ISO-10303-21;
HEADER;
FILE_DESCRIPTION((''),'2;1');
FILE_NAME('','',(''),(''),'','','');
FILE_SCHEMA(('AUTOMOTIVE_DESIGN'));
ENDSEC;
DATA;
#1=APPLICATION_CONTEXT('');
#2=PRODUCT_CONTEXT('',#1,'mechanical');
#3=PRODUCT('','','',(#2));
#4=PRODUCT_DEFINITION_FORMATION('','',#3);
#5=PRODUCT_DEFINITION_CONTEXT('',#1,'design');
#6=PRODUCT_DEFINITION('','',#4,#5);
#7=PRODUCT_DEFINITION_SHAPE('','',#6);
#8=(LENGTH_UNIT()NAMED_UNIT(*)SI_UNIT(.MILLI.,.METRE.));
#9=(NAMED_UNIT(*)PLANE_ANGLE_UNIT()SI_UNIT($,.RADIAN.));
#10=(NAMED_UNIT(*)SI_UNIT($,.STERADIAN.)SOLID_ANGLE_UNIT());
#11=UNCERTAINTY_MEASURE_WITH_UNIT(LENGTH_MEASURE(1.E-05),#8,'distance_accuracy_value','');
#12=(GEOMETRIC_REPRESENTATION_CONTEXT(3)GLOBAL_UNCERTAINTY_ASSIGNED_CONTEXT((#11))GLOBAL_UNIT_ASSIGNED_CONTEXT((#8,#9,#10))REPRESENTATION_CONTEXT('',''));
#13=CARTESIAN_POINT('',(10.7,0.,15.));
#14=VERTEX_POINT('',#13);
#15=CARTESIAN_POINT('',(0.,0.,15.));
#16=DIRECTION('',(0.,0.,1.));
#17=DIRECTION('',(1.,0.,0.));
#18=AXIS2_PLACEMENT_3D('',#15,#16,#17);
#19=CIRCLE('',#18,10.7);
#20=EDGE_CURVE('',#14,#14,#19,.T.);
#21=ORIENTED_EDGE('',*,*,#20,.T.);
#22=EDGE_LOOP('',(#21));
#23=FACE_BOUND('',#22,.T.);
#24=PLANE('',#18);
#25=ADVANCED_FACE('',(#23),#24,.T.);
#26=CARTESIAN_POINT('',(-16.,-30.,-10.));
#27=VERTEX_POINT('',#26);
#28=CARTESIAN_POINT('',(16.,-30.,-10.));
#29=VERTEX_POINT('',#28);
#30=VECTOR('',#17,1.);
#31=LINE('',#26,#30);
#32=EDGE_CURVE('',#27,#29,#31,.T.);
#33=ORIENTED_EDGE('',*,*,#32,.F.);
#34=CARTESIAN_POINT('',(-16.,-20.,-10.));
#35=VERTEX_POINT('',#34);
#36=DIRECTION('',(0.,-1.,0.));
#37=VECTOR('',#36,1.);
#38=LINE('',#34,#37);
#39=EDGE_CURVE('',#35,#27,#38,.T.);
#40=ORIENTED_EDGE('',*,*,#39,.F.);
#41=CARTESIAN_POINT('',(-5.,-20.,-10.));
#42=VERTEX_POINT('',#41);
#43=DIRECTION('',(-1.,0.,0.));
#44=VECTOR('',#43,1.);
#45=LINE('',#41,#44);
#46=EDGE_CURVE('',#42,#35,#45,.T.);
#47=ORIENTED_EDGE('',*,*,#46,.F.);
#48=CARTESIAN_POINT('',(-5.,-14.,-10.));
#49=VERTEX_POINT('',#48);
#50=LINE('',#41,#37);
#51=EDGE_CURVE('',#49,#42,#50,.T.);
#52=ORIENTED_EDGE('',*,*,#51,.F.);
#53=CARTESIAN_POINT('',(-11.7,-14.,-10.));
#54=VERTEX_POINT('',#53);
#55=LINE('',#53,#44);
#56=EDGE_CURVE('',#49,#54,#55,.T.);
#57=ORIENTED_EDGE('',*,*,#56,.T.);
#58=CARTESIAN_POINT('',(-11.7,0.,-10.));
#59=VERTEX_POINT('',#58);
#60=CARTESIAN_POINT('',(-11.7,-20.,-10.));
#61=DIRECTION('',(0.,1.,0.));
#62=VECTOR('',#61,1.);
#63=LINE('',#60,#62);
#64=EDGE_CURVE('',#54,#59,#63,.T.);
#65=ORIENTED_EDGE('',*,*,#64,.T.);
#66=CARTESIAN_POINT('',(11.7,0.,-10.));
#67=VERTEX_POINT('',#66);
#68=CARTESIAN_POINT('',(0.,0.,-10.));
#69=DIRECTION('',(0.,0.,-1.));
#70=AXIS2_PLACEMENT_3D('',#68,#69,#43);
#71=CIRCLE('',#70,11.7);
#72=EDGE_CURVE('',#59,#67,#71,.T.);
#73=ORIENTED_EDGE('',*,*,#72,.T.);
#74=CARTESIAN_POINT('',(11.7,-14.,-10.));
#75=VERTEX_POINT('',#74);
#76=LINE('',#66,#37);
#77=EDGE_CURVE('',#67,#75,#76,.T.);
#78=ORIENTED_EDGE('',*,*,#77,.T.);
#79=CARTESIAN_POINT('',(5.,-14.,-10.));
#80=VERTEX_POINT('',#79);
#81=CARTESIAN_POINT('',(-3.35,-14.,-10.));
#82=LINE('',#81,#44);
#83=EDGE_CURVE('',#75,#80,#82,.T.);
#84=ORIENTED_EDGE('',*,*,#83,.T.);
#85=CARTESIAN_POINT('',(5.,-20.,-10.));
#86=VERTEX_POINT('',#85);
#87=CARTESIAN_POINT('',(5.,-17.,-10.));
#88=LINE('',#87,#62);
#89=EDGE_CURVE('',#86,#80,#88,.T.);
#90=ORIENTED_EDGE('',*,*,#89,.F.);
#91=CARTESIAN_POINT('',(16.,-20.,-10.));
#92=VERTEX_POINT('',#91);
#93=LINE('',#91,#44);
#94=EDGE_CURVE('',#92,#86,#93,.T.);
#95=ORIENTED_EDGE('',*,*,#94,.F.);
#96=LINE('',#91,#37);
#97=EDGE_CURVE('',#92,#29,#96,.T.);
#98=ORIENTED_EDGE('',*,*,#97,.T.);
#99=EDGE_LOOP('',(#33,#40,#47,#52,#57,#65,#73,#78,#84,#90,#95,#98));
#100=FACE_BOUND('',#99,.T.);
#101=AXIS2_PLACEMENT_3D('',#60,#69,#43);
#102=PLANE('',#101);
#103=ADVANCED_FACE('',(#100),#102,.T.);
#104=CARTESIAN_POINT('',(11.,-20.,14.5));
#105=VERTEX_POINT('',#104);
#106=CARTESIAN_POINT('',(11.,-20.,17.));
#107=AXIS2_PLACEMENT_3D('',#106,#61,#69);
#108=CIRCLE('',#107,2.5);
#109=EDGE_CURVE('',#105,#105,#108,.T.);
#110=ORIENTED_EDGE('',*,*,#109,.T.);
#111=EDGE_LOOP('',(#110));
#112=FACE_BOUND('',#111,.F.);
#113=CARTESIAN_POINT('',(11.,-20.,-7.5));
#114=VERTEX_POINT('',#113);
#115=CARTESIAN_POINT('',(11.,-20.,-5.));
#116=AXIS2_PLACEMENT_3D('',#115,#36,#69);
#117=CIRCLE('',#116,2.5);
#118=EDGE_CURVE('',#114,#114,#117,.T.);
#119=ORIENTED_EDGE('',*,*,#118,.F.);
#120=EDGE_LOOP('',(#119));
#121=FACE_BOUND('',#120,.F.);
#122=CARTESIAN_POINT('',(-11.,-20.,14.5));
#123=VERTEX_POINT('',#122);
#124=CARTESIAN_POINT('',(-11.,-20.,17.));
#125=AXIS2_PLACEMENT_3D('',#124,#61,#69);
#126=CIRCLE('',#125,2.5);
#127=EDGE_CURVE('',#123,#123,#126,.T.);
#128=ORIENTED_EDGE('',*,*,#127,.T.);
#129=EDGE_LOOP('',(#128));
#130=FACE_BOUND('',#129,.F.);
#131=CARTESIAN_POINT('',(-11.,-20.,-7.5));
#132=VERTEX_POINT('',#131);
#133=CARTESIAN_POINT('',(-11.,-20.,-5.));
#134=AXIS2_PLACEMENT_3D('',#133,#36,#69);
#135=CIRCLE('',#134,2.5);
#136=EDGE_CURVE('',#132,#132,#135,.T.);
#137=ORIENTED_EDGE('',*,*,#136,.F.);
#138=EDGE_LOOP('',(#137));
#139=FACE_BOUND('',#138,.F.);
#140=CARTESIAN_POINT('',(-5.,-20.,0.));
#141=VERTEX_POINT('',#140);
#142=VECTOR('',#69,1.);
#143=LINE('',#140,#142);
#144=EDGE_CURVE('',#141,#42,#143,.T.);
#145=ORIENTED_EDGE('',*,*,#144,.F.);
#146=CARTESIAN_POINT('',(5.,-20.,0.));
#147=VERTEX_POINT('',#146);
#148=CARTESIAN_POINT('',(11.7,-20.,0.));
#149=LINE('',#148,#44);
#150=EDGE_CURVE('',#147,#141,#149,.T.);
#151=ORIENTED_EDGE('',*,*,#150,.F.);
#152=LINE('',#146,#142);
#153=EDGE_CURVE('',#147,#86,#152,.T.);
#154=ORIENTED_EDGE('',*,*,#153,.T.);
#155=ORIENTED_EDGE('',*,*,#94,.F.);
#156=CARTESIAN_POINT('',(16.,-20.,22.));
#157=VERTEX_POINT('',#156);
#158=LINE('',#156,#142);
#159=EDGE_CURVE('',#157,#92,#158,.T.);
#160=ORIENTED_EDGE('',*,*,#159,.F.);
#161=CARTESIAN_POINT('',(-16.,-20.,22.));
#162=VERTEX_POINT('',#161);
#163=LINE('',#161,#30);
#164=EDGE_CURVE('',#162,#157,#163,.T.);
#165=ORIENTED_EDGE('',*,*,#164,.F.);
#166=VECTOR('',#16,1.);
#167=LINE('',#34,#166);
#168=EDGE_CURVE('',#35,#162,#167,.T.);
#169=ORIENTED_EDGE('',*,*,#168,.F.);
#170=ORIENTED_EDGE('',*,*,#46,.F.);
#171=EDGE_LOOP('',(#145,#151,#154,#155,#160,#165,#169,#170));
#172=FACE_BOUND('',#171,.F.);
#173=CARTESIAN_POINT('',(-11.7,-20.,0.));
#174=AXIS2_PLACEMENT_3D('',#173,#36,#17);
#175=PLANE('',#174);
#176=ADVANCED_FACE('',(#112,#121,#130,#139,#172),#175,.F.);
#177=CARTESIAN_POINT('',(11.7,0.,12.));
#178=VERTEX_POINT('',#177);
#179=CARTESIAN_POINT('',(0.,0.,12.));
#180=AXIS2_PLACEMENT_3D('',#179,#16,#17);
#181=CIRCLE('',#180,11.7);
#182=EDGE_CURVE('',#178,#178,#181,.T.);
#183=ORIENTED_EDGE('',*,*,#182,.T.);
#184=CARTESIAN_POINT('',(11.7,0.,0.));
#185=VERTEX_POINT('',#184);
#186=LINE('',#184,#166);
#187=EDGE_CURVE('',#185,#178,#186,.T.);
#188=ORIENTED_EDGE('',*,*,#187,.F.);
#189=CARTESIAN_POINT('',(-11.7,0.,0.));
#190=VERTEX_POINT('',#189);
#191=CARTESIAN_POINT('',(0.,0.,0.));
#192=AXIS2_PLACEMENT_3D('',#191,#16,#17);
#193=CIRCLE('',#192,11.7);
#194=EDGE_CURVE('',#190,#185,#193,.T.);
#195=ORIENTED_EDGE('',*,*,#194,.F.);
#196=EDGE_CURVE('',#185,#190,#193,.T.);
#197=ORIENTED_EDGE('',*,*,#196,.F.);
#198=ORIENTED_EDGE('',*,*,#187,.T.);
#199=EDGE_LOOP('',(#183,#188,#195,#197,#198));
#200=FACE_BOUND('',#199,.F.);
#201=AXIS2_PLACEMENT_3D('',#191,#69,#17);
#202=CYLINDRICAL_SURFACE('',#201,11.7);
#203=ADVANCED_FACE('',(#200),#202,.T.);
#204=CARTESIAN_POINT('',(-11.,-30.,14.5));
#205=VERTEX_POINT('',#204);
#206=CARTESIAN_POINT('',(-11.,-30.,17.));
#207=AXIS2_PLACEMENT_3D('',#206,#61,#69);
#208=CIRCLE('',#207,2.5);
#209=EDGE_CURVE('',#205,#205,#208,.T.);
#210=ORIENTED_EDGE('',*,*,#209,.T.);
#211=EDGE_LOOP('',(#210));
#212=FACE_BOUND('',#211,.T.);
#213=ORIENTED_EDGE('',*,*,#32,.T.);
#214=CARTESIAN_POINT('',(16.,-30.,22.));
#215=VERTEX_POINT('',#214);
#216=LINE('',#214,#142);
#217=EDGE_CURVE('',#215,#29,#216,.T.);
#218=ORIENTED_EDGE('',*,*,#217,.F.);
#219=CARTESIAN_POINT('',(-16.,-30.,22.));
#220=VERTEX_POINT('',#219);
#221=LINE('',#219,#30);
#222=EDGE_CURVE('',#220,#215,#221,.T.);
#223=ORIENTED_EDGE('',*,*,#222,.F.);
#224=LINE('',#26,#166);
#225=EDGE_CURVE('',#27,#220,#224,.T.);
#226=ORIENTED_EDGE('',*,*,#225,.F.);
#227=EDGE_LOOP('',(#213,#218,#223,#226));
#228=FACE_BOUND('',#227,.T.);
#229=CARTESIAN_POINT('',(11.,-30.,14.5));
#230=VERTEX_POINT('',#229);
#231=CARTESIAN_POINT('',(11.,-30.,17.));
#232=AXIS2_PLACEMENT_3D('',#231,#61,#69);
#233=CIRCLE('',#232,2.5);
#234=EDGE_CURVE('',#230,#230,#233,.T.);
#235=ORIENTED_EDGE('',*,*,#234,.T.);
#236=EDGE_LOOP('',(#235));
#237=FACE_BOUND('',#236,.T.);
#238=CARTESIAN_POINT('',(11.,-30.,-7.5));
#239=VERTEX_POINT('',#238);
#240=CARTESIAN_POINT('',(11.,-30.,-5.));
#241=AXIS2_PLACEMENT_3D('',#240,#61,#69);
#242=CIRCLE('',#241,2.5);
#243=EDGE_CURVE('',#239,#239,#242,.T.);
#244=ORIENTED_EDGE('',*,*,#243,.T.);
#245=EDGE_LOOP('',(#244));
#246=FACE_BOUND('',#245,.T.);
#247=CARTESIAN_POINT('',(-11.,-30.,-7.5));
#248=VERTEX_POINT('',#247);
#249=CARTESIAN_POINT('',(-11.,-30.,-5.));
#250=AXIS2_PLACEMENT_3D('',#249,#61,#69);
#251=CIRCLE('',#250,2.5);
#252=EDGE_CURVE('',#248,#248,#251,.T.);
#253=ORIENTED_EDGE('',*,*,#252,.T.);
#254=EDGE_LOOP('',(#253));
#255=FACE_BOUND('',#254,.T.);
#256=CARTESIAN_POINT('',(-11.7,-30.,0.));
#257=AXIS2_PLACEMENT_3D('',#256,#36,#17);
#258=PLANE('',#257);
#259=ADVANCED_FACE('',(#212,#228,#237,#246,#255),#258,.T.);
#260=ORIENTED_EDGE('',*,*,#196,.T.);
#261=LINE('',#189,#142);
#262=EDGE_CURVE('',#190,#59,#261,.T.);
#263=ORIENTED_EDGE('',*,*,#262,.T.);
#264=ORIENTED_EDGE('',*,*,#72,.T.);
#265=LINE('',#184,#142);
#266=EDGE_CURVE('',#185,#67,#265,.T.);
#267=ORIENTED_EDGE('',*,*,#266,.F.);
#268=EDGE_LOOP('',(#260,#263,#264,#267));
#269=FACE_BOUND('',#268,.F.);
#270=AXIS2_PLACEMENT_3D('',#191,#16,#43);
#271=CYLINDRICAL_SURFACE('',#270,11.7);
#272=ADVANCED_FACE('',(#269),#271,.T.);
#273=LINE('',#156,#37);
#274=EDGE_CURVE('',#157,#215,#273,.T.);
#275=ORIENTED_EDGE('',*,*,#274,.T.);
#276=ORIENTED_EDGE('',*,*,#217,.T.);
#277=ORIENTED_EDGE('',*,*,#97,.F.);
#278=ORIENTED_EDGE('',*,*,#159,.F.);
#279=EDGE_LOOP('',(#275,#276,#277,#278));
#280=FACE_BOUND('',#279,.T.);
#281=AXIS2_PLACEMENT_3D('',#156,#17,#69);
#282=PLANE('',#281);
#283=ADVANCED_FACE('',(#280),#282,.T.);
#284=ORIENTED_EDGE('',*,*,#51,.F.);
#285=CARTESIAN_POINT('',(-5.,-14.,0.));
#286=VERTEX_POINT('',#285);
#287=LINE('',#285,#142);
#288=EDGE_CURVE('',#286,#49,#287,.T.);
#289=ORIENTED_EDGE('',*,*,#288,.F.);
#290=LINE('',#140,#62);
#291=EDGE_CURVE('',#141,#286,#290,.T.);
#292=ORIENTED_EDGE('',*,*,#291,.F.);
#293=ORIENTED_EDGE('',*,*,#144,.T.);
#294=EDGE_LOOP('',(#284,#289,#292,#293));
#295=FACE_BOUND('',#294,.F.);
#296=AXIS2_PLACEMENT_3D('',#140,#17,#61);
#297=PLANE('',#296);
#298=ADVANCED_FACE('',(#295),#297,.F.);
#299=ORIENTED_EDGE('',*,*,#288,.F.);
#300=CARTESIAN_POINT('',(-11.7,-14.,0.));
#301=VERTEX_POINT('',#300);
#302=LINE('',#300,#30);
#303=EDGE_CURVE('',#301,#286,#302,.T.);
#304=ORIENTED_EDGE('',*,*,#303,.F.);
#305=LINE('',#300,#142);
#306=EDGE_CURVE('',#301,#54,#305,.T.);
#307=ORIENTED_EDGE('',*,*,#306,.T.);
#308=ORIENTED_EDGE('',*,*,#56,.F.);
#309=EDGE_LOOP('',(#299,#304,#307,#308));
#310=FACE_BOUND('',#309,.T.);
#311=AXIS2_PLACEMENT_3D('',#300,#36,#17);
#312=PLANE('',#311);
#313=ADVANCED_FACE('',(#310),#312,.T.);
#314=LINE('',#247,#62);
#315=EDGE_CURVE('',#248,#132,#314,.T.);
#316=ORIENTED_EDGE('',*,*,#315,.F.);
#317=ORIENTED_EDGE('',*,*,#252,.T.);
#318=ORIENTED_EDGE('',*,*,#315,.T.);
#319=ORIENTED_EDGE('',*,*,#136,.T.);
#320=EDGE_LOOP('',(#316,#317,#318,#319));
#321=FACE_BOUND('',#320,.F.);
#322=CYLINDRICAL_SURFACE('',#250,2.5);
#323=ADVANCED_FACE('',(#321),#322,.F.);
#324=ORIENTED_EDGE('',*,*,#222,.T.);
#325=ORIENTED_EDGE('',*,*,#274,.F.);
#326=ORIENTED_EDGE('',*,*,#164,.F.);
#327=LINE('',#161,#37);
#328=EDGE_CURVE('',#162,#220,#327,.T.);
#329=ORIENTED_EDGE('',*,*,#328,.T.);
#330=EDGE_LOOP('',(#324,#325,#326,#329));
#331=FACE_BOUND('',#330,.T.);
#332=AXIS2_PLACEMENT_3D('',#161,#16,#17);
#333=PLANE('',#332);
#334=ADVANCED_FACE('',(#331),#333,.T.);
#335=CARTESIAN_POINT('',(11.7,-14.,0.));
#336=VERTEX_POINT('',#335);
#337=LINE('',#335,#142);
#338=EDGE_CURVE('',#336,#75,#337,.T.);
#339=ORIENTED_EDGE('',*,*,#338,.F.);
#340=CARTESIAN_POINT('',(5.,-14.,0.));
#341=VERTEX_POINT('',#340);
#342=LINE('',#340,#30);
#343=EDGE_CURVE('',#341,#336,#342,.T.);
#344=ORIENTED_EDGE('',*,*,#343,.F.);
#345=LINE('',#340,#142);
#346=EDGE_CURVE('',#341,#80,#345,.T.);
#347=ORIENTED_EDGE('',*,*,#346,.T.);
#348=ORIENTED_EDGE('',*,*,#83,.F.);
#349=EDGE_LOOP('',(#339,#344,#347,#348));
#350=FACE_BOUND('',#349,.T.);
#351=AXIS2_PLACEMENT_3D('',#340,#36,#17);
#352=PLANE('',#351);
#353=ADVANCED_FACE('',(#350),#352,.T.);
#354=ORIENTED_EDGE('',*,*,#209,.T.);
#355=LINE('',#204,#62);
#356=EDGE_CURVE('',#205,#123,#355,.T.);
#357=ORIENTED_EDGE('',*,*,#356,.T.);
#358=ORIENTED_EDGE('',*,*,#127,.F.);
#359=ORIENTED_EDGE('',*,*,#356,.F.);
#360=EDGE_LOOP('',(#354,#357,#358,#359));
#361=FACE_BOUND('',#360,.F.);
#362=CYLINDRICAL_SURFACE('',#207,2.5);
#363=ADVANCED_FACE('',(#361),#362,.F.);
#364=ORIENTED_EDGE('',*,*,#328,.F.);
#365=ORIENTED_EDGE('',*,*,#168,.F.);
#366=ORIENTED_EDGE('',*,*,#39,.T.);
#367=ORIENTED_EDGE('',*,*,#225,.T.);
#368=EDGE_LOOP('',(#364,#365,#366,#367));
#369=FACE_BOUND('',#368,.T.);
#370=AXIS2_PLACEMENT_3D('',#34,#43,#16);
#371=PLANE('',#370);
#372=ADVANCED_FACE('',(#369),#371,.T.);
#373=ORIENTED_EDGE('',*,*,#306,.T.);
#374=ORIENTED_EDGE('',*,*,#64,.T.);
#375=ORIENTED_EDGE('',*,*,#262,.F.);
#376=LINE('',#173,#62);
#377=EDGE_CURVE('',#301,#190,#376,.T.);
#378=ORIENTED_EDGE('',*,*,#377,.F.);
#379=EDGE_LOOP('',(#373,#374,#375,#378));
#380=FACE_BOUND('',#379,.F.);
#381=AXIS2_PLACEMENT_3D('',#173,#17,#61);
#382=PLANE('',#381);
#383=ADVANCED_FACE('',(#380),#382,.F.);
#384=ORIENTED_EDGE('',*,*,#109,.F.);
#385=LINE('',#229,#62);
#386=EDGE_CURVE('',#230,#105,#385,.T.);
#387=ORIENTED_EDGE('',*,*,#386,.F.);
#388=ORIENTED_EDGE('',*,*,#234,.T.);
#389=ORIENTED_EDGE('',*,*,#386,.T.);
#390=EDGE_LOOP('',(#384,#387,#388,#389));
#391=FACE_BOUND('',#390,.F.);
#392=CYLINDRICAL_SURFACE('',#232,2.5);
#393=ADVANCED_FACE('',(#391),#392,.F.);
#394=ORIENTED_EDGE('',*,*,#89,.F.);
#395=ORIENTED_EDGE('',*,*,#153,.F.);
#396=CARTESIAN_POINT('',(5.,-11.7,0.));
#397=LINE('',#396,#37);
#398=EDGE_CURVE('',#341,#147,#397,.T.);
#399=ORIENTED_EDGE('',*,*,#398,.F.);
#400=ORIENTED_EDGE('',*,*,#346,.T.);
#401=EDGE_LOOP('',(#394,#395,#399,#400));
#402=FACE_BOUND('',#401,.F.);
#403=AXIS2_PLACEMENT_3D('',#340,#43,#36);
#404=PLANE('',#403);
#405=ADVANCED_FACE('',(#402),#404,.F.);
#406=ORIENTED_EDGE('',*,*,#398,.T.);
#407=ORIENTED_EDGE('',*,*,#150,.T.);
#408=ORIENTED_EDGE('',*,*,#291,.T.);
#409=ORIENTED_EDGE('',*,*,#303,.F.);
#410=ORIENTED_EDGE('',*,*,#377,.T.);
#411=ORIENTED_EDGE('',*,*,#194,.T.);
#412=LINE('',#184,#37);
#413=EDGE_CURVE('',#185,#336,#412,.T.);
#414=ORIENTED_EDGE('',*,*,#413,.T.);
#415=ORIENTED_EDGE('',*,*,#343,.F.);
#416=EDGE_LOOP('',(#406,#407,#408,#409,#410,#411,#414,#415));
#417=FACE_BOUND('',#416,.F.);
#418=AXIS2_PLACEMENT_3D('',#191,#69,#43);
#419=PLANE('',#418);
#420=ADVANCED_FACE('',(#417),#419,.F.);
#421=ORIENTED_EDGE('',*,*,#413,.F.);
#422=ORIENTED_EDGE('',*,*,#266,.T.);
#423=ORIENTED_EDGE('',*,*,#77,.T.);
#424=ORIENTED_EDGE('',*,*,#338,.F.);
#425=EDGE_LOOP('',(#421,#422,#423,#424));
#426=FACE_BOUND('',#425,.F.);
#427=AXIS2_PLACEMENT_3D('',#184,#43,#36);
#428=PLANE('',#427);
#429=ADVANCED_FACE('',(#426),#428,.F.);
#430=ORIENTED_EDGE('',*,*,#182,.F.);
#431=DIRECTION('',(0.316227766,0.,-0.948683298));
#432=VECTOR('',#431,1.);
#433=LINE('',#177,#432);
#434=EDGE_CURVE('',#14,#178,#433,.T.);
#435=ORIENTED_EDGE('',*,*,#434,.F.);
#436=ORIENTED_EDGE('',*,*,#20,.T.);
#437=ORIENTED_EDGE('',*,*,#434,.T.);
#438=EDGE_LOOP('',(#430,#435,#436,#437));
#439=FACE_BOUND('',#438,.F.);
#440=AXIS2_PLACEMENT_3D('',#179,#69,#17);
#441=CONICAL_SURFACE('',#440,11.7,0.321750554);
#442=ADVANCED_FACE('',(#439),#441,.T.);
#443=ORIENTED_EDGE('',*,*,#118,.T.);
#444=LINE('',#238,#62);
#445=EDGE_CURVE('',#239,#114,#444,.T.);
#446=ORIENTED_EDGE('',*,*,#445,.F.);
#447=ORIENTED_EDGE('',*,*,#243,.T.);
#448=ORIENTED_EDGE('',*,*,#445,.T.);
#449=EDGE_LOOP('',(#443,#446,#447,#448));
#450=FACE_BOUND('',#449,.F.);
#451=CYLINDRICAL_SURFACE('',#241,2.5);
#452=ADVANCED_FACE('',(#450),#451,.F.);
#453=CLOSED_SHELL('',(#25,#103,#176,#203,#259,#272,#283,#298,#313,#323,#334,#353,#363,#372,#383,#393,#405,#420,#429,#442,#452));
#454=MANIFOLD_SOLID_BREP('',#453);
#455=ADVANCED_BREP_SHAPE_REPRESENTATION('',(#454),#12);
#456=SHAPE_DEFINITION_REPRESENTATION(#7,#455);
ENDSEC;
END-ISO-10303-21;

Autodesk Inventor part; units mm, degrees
ref_plane "YZ Plane" through (0, 0, 0) normal (1, 0, 0) x (0, 1, 0)
ref_plane "XZ Plane" through (0, 0, 0) normal (0, 1, 0) x (-1, 0, 0)
ref_plane "XY Plane" through (0, 0, 0) normal (0, 0, 1) x (1, 0, 0)
sketch "Sketch1" plane through (0, 0, 0) normal (0, 0, 1) x (1, 0, 0)
  circle A0 centre (0, 0) radius 11.7
  dimension "d0" = 23.4
extrude "Extrusion1" add sketch "Sketch1" along normal blind 15
sketch "Sketch2" plane through (0, 0, 0) normal (0, 0, -1) x (-1, 0, 0)
  circle A0 centre (0, 0) radius 11.7 projected
  line L0 (-11.7, 0) -> (-11.7, -20)
  line L1 (-11.7, -20) -> (11.7, -20)
  line L2 (11.7, -20) -> (11.7, 0)
  circle A1 centre (0, 0) radius 11.7 projected
  line L3 (-11.7, 0) -> (11.7, 0)
  point P0 (11.7, 0)
  point P1 (-11.7, 0)
  dimension "d3" = 20
extrude "Extrusion2" add sketch "Sketch2" along normal blind 10
sketch "Sketch3" plane through (-11.7, -20, 0) normal (0, -1, 0) x (1, 0, 0)
  line L0 (-4.3, 22) -> (27.7, 22)
  line L1 (27.7, 22) -> (27.7, -10)
  line L2 (27.7, -10) -> (-4.3, -10)
  line L3 (-4.3, -10) -> (-4.3, 22)
  line L4 (23.4, -10) -> (0, -10) projected
  line L5 (23.4, 0) -> (0, 0) projected
  point P0 (11.7, 0)
  point P1 (11.7, 22)
  point P2 (11.7, 0)
  dimension "d6" = 32
  dimension "d7" = 32
extrude "Extrusion3" add sketch "Sketch3" along normal blind 10
sketch "Sketch4" plane through (-11.7, -30, 0) normal (0, -1, 0) x (1, 0, 0)
  line L0 (0.7, 17) -> (22.7, 17) construction
  line L1 (22.7, 17) -> (22.7, -5) construction
  line L2 (22.7, -5) -> (0.7, -5) construction
  line L3 (0.7, -5) -> (0.7, 17) construction
  line L4 (27.7, 22) -> (-4.3, 22) construction
  line L5 (-4.3, 22) -> (-4.3, -10) construction
  point P0 (11.7, 0)
  point P1 (11.7, 17)
  point P2 (11.7, 22)
  point P3 (0.7, 6)
  point P4 (-4.3, 6)
  dimension "d10" = 22
  dimension "d11" = 22
hole "Hole1" at (-11, -30, 17) at (11, -30, 17) at (11, -30, -5) at (-11, -30, -5) direction (0, 1, 0) diameter 5 depth 10
sketch "Sketch5" plane through (0, 0, 0) normal (0, 0, 1) x (1, 0, 0)
  line L0 (11.7, -20) -> (-11.7, -20) projected
  line L1 (5, -20) -> (-5, -20)
  line L2 (-5, -20) -> (-5, -11.7)
  line L3 (-5, -11.7) -> (5, -11.7)
  line L4 (5, -11.7) -> (5, -20)
  circle A0 centre (0, 0) radius 11.7 projected
  line L5 (11.7, -20) -> (5, -20)
  line L6 (5, -20) -> (5, -14)
  line L7 (5, -14) -> (11.7, -14)
  line L8 (11.7, -14) -> (11.7, -20)
  line L9 (-5, -20) -> (-11.7, -20)
  line L10 (-11.7, -20) -> (-11.7, -14)
  line L11 (-11.7, -14) -> (-5, -14)
  line L12 (-5, -14) -> (-5, -20)
  line L13 (-11.7, -20) -> (-11.7, 0) projected
  line L14 (11.7, 0) -> (11.7, -20) projected
  point P0 (0, -11.7)
  dimension "d19" = 10
  dimension "d20" = 6
extrude "Extrusion4" cut sketch "Sketch5" against normal through all contours L0 L4 L7 L8 | L0 L10 L11 L2
chamfer "Chamfer1" distance 1 distance2 3 1 edges at (-11.7, 0, 15) measured on face at (-1.2696, -2.7132, 15)
equation "\"d7\" = d6"
equation "\"d11\" = d10"
properties part number "0008-30-004"
